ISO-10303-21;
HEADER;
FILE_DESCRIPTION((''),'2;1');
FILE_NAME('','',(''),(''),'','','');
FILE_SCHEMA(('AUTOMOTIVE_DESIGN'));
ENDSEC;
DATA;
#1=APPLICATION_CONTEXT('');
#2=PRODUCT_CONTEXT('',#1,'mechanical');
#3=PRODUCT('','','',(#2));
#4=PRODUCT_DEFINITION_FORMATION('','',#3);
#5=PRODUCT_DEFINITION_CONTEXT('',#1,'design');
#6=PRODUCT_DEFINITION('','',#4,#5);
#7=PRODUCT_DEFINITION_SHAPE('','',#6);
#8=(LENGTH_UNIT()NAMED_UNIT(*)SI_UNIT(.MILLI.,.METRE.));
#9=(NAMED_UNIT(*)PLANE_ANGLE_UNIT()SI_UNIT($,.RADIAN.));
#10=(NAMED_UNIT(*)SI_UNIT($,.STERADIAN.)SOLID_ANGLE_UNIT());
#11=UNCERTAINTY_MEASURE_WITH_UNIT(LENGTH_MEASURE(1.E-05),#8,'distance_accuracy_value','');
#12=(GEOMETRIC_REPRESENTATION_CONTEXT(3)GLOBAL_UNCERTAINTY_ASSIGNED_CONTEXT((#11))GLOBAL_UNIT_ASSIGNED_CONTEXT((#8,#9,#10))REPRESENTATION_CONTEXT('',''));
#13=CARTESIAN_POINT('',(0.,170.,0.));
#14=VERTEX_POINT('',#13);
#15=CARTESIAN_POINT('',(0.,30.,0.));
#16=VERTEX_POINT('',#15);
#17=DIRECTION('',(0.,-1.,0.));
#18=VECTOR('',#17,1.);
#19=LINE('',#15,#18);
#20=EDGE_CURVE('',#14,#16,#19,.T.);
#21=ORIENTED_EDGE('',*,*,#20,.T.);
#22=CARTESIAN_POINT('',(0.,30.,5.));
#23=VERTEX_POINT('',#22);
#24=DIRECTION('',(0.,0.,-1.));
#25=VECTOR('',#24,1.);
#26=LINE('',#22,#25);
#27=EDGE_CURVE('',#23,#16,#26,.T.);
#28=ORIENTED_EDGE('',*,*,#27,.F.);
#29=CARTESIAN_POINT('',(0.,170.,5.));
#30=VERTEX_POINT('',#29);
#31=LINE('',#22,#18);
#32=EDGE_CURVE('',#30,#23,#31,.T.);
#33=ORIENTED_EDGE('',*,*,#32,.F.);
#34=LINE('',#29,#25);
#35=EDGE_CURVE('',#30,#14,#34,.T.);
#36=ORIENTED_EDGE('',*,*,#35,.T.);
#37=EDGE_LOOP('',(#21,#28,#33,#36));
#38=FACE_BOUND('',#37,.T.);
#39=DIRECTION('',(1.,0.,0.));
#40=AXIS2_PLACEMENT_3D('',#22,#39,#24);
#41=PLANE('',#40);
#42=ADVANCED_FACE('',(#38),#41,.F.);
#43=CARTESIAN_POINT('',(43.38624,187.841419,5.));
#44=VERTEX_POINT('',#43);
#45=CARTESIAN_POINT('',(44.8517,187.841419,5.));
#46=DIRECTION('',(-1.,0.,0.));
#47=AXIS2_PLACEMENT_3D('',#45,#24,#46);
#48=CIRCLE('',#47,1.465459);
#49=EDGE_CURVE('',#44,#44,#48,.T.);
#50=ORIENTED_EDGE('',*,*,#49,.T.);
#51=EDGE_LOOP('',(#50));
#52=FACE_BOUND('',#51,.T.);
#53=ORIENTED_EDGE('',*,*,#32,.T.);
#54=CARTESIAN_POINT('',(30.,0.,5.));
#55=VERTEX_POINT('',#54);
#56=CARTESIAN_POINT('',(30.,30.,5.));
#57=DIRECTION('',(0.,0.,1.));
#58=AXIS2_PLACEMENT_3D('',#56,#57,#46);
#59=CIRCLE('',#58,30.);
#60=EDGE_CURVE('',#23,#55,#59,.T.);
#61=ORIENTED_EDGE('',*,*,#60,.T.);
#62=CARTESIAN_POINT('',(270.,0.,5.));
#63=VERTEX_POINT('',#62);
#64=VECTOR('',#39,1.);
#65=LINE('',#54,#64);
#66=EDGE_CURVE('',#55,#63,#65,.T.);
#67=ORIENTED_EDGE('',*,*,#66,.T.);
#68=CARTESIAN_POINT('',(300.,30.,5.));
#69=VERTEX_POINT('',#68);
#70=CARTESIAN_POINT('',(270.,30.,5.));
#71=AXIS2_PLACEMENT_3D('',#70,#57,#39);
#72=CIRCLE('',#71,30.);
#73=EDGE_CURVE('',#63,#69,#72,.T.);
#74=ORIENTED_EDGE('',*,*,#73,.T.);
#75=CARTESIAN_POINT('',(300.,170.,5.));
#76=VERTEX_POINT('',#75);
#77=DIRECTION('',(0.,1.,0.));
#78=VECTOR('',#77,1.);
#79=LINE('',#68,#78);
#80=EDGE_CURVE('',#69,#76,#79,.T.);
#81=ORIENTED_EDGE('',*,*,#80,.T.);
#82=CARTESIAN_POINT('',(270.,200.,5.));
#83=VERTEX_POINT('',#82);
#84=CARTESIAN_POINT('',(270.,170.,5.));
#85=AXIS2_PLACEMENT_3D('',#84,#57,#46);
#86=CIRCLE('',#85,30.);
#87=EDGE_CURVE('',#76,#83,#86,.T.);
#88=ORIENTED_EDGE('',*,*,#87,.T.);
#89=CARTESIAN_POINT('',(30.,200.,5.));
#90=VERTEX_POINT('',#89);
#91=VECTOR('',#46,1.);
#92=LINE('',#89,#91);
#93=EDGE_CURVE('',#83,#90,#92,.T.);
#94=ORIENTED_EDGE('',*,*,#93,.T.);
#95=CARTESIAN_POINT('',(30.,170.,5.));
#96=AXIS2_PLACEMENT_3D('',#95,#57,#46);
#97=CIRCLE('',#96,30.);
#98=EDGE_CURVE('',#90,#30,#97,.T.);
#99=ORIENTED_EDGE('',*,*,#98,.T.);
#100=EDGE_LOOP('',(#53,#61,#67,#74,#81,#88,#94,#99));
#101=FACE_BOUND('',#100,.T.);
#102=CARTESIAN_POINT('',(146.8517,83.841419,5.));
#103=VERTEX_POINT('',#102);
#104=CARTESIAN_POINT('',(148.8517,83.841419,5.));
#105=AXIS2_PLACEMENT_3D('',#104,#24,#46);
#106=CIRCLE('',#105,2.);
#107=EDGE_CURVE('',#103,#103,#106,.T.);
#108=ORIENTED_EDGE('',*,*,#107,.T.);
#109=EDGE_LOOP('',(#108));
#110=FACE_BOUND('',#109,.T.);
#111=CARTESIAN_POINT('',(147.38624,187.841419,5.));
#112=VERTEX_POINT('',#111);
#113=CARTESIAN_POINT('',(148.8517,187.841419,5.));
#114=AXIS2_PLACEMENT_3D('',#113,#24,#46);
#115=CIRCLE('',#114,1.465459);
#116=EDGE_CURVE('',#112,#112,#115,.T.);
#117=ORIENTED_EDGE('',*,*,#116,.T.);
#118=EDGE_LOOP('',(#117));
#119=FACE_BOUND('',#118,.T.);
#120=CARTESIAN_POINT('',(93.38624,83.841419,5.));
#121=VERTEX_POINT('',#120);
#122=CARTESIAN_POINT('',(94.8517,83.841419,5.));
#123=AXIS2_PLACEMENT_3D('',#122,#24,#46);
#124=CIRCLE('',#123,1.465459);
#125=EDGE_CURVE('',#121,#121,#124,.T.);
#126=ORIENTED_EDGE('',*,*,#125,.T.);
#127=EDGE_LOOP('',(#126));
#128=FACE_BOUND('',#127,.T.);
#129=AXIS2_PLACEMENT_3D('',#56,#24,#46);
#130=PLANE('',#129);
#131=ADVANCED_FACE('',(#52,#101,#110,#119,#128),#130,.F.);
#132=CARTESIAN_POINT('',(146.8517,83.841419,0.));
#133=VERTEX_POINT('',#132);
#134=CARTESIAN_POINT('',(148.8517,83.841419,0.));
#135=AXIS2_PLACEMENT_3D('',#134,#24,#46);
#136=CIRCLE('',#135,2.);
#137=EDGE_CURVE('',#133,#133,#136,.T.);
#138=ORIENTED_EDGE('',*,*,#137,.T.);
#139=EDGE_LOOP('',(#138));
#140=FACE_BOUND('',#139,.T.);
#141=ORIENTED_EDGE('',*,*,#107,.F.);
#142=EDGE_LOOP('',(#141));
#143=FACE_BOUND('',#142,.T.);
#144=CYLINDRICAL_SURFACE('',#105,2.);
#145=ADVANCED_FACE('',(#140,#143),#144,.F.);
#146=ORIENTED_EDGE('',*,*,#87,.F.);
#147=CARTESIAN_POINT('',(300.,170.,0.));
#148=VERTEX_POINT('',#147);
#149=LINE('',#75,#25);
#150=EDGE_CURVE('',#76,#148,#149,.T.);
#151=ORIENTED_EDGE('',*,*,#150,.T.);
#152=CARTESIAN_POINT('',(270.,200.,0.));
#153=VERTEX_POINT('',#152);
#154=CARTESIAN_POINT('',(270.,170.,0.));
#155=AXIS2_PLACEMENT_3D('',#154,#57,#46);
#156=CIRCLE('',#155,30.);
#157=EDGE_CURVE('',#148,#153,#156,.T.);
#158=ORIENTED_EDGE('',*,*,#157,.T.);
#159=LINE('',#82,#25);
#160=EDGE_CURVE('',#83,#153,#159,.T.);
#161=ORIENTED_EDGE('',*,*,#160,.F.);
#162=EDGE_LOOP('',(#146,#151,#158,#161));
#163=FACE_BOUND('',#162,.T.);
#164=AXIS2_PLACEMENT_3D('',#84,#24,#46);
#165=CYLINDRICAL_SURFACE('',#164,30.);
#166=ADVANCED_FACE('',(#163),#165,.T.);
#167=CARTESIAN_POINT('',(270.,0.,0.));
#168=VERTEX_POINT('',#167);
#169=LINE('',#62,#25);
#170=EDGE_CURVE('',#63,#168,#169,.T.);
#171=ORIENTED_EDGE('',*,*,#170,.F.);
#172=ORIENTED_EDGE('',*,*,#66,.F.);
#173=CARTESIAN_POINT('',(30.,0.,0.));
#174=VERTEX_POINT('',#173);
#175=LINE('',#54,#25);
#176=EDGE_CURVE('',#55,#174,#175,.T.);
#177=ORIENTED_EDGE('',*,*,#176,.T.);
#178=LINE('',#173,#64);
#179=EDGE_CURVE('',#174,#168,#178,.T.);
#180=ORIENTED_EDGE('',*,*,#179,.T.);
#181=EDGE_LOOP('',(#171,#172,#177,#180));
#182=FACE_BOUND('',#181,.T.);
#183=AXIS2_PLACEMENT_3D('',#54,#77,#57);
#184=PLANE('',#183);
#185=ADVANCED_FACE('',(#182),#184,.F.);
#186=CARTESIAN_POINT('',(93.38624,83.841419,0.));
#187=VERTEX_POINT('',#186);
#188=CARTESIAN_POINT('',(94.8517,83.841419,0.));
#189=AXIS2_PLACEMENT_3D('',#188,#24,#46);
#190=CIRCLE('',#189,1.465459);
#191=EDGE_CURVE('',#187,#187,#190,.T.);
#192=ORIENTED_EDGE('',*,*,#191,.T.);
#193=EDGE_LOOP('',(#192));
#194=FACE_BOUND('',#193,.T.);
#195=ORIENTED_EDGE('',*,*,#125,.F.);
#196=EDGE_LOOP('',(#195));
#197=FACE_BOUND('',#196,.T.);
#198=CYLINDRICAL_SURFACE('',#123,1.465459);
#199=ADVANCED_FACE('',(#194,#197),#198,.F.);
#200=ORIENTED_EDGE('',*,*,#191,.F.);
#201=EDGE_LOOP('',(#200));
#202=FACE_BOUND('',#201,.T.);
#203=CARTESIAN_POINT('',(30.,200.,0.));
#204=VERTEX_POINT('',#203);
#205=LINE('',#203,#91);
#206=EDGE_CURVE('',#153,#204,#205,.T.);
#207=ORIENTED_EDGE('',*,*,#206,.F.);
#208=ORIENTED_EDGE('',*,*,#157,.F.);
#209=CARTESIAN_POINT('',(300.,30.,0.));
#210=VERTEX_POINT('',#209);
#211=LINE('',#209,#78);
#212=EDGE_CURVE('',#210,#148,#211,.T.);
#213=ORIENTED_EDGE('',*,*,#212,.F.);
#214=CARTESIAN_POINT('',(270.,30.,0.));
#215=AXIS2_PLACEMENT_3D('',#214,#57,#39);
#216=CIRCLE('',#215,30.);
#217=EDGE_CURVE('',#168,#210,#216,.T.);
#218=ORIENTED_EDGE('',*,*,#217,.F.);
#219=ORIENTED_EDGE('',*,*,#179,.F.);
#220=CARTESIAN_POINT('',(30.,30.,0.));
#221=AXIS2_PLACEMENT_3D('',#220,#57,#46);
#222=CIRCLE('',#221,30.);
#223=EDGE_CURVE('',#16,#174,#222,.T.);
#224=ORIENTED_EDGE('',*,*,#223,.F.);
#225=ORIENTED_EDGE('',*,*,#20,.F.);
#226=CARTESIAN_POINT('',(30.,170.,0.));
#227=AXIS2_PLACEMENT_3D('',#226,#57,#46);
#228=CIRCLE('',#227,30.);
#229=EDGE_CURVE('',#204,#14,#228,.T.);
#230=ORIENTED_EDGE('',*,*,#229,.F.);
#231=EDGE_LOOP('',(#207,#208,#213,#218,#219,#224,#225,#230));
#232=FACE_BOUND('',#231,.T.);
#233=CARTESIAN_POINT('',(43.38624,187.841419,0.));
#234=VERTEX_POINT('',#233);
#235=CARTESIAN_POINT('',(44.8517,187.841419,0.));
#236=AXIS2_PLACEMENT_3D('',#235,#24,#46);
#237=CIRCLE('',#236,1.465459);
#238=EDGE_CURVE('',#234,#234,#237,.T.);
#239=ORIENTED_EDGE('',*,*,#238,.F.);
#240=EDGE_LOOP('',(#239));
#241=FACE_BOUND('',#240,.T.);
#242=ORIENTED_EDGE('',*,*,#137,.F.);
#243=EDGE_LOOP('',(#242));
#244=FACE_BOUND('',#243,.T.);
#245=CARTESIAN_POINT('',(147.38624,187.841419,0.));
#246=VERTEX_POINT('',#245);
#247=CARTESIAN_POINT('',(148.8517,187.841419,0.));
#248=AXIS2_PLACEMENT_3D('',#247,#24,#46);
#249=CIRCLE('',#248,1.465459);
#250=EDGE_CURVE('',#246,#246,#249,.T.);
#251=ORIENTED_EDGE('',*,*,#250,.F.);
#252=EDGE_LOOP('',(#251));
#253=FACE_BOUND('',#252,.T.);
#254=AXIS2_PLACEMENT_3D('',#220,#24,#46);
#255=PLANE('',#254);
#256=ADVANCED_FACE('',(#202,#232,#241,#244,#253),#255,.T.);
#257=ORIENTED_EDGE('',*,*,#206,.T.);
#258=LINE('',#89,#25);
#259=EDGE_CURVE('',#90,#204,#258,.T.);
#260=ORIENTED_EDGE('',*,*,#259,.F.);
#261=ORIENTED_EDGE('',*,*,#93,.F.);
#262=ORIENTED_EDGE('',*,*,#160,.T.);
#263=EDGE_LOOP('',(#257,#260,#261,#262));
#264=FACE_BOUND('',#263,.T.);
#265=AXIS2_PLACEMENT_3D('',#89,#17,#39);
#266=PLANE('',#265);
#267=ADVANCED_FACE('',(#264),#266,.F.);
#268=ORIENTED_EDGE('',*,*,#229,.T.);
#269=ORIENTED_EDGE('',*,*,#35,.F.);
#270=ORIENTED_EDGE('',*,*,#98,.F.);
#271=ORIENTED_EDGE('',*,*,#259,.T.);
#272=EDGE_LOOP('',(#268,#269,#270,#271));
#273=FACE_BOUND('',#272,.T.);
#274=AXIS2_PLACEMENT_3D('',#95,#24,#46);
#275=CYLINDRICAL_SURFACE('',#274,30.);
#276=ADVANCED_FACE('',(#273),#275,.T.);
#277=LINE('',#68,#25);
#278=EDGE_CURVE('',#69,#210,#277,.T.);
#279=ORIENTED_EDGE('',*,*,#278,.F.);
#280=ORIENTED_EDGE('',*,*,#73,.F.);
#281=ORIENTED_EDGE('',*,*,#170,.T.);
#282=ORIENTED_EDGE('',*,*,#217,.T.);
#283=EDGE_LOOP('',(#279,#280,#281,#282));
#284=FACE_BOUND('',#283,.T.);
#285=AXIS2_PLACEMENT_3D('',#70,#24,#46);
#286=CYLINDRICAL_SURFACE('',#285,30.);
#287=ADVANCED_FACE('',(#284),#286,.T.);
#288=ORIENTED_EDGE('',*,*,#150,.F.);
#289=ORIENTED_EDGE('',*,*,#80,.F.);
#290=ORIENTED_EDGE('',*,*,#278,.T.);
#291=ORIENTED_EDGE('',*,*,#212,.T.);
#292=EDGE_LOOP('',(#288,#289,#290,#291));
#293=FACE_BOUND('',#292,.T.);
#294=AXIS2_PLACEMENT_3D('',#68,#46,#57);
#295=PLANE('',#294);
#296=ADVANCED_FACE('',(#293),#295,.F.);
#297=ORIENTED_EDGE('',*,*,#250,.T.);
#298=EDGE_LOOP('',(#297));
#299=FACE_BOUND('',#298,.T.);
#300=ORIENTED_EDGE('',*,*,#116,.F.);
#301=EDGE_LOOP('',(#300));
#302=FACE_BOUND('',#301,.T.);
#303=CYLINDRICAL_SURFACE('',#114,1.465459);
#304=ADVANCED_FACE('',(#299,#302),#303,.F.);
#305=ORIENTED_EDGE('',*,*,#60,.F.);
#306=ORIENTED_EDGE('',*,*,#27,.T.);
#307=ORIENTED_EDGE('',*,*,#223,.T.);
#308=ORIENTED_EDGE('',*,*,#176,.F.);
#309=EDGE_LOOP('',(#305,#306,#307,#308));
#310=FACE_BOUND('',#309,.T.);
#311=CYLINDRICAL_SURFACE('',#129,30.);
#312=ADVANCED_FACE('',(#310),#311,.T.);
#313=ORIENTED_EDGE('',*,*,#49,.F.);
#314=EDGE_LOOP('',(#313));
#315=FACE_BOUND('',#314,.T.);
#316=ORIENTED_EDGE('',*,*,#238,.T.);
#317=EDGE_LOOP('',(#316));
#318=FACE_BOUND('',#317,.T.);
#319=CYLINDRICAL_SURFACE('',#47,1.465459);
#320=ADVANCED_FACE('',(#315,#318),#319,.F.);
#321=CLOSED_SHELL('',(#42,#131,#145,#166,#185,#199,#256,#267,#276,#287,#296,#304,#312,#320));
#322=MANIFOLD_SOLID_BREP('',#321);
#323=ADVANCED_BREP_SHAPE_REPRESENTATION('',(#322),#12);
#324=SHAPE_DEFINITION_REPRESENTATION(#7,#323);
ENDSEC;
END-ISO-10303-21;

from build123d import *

# Parameters (mm, degrees)
SALIENTE_EXTRUIR1_DEPTH = 5
CROQUIS2_R              = 1.465459125
CROQUIS2_R_2            = 2
CORTAR_EXTRUIR1_DEPTH   = 5


with BuildPart() as part:
    # Croquis1 → Saliente-Extruir1 (new body)
    with BuildSketch(Plane.XY):
        with BuildLine():
            Line((30, 0), (270, 0))
            ThreePointArc((270, 0), (291.213203436, 8.786796564), (300, 30))
            Line((300, 30), (300, 170))
            ThreePointArc((300, 170), (291.213203436, 191.213203436), (270, 200))
            Line((270, 200), (30, 200))
            ThreePointArc((30, 200), (8.786796564, 191.213203436), (0, 170))
            Line((0, 170), (0, 30))
            ThreePointArc((0, 30), (8.786796564, 8.786796564), (30, 0))
        make_face()
    extrude(amount=SALIENTE_EXTRUIR1_DEPTH)

    # Croquis2 → Cortar-Extruir1 (cut)
    with BuildSketch(Plane(origin=(0, 0, 0), x_dir=(-1, 0, 0), z_dir=(0, 0, -1))):
        with Locations((-148.851699579, 187.841418575)):
            Circle(CROQUIS2_R)
        with Locations((-44.851699579, 187.841418575)):
            Circle(CROQUIS2_R)
        with Locations((-94.851699579, 83.841418575)):
            Circle(CROQUIS2_R)
        with Locations((-148.851699579, 83.841418575)):
            Circle(CROQUIS2_R_2)
    extrude(amount=-CORTAR_EXTRUIR1_DEPTH, mode=Mode.SUBTRACT)


solid = part.part
